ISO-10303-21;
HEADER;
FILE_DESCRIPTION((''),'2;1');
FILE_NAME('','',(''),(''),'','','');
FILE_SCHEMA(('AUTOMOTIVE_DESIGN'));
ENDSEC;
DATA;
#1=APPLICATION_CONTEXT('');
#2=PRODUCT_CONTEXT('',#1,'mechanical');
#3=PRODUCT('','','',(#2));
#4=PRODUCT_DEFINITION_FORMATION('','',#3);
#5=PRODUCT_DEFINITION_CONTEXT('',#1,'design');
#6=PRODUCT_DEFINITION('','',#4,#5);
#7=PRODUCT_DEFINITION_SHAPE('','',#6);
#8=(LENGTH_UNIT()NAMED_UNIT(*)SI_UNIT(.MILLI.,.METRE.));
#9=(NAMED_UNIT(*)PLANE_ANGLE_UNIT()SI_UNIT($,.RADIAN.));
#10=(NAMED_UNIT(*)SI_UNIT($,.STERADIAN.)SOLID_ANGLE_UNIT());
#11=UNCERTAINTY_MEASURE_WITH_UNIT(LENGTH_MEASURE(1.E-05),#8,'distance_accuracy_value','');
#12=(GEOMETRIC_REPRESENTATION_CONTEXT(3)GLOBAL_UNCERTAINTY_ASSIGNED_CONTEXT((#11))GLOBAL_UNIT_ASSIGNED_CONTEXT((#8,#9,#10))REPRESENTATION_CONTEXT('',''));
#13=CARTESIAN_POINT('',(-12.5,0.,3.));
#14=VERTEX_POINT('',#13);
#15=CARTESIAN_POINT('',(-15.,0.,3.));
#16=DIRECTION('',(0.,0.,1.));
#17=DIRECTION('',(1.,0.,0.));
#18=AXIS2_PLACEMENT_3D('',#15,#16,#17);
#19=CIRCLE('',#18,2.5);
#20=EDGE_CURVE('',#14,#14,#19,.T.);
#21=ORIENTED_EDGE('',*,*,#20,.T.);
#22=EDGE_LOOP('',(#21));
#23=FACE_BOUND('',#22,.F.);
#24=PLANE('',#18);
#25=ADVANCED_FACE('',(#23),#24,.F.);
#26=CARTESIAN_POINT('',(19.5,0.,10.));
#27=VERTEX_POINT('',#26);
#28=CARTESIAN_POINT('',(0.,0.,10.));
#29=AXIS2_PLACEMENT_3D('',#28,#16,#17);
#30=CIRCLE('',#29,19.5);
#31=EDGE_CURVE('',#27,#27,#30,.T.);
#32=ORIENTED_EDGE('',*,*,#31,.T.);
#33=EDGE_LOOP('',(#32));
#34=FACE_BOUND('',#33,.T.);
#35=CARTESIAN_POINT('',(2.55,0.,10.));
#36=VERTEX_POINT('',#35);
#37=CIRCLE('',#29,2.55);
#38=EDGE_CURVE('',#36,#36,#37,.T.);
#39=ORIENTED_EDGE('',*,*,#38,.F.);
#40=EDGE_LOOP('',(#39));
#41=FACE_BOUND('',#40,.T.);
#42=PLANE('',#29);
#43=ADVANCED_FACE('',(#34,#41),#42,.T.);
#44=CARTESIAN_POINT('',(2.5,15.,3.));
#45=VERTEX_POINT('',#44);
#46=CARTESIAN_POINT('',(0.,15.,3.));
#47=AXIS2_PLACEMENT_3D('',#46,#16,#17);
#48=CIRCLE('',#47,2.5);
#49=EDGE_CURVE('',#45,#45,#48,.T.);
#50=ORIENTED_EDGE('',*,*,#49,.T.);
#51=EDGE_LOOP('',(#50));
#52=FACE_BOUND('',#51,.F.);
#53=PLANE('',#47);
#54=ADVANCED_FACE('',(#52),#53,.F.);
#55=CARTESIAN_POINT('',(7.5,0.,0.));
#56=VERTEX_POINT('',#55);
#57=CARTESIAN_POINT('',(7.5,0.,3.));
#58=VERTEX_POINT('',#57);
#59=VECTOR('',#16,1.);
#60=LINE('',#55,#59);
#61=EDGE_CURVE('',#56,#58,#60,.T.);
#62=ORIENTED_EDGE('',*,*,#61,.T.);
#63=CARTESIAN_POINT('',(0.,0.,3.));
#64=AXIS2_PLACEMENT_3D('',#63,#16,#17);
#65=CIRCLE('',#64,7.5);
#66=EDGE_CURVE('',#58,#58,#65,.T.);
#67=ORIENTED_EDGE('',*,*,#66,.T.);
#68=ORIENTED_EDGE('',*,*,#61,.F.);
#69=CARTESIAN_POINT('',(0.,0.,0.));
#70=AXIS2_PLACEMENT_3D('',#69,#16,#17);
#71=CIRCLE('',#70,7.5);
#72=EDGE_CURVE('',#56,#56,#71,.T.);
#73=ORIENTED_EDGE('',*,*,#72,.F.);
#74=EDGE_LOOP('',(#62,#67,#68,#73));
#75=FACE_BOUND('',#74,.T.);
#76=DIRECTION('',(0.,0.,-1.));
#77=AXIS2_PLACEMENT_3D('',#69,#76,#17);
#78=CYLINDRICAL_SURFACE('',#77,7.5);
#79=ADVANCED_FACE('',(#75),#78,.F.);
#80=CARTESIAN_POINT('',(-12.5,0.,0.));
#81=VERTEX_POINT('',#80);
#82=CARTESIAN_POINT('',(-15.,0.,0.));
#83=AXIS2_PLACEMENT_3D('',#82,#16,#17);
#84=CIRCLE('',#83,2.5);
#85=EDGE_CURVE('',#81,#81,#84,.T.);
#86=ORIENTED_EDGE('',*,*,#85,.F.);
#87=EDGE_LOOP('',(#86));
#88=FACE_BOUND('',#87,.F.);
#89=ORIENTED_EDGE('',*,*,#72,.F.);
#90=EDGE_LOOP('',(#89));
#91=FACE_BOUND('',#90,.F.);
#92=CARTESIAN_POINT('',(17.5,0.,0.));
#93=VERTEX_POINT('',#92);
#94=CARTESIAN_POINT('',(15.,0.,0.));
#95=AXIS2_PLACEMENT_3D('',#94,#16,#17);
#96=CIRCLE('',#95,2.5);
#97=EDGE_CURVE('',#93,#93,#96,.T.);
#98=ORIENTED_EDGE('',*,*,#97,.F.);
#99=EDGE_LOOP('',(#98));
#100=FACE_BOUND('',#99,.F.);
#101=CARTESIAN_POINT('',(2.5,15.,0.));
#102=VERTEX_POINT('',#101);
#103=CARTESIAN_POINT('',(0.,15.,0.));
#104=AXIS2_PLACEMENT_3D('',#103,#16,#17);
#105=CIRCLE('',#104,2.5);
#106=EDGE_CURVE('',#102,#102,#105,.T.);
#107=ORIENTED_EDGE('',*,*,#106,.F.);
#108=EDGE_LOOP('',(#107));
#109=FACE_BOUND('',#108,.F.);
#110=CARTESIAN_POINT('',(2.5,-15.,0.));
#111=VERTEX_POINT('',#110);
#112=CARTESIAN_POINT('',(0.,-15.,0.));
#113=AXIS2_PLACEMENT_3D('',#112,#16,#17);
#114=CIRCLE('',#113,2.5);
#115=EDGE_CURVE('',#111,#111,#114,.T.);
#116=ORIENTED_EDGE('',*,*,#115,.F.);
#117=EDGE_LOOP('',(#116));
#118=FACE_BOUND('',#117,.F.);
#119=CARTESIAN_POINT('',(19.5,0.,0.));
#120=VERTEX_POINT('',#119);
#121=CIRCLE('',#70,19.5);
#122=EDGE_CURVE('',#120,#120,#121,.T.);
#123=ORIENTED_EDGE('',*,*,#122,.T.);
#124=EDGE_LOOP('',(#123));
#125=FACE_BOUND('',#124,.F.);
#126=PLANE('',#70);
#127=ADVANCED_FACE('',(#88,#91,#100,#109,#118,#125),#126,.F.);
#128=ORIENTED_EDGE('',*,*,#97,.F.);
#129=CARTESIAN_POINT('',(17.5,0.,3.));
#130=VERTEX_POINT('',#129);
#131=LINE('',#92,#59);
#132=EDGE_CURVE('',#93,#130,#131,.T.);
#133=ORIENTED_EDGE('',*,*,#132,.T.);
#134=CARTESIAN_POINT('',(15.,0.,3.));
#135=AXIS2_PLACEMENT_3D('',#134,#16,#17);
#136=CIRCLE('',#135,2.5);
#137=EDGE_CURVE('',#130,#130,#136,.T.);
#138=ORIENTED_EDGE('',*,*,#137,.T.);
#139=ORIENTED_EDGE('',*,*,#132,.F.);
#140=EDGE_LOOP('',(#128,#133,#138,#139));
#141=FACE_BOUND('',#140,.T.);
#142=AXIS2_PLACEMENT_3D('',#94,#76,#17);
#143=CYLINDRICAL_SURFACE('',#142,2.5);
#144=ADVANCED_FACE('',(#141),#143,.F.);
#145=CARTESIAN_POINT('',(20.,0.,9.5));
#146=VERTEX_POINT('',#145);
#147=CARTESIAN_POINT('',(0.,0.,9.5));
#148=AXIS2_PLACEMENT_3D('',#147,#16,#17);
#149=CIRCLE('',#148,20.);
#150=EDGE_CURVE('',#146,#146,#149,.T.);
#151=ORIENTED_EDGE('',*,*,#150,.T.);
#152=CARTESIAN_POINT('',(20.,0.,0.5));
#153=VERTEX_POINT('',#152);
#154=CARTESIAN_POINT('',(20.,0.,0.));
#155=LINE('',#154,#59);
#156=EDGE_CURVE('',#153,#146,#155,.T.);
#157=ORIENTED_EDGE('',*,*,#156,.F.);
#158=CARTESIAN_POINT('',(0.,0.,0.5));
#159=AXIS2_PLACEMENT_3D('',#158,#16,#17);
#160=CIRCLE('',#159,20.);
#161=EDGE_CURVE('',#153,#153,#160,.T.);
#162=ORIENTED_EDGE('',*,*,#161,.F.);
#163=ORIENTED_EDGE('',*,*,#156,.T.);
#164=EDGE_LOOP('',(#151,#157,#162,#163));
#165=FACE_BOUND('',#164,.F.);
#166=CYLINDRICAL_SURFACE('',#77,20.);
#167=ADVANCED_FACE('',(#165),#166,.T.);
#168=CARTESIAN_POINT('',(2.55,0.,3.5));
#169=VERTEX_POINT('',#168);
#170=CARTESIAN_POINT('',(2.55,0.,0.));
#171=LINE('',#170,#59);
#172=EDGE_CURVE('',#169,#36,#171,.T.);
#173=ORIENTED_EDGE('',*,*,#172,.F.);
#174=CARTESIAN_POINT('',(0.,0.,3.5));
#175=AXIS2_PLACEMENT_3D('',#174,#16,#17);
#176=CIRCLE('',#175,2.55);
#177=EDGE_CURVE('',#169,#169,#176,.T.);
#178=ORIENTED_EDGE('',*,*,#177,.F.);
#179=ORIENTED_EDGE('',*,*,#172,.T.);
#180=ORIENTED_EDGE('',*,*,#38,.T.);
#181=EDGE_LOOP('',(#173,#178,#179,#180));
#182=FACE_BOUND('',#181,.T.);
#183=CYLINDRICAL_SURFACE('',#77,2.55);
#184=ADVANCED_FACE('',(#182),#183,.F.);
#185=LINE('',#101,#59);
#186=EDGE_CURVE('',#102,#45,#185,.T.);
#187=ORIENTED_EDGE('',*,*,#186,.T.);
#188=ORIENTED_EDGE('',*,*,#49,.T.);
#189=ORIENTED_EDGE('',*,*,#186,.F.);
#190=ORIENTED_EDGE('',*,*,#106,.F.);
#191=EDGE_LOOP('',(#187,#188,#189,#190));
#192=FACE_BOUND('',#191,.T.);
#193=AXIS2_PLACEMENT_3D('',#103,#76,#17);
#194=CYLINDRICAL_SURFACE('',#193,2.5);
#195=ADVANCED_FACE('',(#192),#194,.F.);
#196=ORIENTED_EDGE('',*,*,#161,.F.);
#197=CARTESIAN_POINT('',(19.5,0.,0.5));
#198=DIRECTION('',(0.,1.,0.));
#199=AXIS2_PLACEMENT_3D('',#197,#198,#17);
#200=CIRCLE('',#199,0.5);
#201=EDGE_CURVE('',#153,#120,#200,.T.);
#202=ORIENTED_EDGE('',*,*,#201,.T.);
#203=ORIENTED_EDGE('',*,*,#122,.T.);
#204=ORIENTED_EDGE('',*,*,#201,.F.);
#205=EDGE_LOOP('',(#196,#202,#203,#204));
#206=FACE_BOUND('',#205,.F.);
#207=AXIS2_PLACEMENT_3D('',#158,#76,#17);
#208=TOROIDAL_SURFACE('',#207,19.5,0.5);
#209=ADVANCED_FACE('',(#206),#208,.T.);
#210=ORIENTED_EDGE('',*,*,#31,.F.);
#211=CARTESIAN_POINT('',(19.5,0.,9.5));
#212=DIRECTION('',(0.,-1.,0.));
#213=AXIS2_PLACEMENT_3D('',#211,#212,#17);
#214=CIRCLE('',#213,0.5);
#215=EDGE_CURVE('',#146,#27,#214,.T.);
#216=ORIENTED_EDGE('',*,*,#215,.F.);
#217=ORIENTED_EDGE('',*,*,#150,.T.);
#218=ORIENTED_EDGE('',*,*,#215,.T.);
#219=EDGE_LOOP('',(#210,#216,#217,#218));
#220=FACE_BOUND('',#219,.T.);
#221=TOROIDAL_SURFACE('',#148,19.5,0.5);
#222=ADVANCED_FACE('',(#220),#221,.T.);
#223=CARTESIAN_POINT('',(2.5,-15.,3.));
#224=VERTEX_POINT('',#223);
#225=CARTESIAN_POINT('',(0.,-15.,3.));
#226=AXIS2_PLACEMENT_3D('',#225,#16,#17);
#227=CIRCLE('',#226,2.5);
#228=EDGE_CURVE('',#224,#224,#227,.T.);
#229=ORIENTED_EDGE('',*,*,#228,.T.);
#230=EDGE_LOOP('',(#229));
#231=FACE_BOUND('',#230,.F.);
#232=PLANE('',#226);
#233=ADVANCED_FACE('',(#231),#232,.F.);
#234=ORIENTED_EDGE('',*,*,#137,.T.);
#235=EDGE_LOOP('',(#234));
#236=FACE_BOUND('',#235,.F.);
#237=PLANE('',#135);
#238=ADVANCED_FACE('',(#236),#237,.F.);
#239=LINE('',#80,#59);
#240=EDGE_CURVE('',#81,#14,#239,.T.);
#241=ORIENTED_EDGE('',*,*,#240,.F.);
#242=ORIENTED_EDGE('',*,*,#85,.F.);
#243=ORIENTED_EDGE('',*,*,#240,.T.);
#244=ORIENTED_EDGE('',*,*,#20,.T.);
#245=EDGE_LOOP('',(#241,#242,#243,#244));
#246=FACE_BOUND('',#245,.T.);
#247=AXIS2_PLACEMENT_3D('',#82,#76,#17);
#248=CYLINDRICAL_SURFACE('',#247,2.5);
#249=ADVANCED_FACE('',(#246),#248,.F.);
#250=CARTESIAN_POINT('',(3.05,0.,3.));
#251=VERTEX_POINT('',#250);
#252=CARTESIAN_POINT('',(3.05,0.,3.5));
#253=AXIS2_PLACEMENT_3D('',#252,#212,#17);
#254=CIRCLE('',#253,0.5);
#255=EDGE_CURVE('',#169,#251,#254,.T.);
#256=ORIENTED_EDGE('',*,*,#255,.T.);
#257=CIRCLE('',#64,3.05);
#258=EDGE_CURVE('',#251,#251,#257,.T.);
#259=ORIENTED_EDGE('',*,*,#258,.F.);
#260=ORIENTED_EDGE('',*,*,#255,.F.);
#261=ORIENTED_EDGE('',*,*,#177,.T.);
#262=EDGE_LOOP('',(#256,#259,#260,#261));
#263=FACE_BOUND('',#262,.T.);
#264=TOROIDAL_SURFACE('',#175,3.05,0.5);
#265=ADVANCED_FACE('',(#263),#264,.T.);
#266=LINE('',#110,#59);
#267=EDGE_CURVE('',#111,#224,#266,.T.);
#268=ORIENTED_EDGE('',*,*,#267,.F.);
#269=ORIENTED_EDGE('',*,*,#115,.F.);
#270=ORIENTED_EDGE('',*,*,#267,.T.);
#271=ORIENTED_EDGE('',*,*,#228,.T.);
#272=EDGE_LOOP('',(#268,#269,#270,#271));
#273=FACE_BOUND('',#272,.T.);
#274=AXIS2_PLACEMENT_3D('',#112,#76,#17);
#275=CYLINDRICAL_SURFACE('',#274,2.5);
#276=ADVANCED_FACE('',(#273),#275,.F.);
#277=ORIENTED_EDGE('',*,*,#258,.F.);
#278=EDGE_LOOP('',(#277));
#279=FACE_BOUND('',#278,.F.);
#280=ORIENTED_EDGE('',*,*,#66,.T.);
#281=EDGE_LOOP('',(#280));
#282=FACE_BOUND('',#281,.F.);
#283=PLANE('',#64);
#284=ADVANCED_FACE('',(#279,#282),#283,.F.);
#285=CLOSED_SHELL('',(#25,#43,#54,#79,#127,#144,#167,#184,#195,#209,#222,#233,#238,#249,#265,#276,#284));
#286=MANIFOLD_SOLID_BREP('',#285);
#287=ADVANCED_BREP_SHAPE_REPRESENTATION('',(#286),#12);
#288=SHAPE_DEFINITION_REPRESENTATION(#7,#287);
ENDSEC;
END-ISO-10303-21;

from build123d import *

# Parameters (mm, degrees)
F0_R     = 20
F0_R_2   = 2.5
F0_R_3   = 7.5
F0_R_4   = 2.55
F1_DEPTH = 10
F2_DEPTH = 3
F3_R     = 0.5


with BuildPart() as f1:
    # F0 (on Top) → F1 (new body)
    with BuildSketch(Plane.XY):
        Circle(F0_R)
        with Locations((0, -15)):
            Circle(F0_R_2, mode=Mode.SUBTRACT)
        with Locations((-15, 0)):
            Circle(F0_R_2, mode=Mode.SUBTRACT)
        Circle(F0_R_3, mode=Mode.SUBTRACT)
        with Locations((15, 0)):
            Circle(F0_R_2, mode=Mode.SUBTRACT)
        with Locations((0, 15)):
            Circle(F0_R_2, mode=Mode.SUBTRACT)
        with Locations((-15, 0)):
            Circle(F0_R_2)
        Circle(F0_R_3)
        Circle(F0_R_4, mode=Mode.SUBTRACT)
        with Locations((15, 0)):
            Circle(F0_R_2)
        with Locations((0, -15)):
            Circle(F0_R_2)
        with Locations((0, 15)):
            Circle(F0_R_2)
    extrude(amount=F1_DEPTH)

    # F0 (on Top) → F2 (cut)
    with BuildSketch(Plane.XY):
        with Locations((0, 15)):
            Circle(F0_R_2)
        with Locations((-15, 0)):
            Circle(F0_R_2)
        with Locations((0, -15)):
            Circle(F0_R_2)
        with Locations((15, 0)):
            Circle(F0_R_2)
        Circle(F0_R_3)
        Circle(F0_R_4, mode=Mode.SUBTRACT)
    extrude(amount=F2_DEPTH, mode=Mode.SUBTRACT)

    # F3
    f3_edges = [f1.edges().sort_by_distance(p)[0] for p in [
        (-2.55, 0, 3),
        (-20, 0, 0),
        (-20, 0, 10),
    ]]
    fillet(f3_edges, radius=F3_R)


solid = f1.part
